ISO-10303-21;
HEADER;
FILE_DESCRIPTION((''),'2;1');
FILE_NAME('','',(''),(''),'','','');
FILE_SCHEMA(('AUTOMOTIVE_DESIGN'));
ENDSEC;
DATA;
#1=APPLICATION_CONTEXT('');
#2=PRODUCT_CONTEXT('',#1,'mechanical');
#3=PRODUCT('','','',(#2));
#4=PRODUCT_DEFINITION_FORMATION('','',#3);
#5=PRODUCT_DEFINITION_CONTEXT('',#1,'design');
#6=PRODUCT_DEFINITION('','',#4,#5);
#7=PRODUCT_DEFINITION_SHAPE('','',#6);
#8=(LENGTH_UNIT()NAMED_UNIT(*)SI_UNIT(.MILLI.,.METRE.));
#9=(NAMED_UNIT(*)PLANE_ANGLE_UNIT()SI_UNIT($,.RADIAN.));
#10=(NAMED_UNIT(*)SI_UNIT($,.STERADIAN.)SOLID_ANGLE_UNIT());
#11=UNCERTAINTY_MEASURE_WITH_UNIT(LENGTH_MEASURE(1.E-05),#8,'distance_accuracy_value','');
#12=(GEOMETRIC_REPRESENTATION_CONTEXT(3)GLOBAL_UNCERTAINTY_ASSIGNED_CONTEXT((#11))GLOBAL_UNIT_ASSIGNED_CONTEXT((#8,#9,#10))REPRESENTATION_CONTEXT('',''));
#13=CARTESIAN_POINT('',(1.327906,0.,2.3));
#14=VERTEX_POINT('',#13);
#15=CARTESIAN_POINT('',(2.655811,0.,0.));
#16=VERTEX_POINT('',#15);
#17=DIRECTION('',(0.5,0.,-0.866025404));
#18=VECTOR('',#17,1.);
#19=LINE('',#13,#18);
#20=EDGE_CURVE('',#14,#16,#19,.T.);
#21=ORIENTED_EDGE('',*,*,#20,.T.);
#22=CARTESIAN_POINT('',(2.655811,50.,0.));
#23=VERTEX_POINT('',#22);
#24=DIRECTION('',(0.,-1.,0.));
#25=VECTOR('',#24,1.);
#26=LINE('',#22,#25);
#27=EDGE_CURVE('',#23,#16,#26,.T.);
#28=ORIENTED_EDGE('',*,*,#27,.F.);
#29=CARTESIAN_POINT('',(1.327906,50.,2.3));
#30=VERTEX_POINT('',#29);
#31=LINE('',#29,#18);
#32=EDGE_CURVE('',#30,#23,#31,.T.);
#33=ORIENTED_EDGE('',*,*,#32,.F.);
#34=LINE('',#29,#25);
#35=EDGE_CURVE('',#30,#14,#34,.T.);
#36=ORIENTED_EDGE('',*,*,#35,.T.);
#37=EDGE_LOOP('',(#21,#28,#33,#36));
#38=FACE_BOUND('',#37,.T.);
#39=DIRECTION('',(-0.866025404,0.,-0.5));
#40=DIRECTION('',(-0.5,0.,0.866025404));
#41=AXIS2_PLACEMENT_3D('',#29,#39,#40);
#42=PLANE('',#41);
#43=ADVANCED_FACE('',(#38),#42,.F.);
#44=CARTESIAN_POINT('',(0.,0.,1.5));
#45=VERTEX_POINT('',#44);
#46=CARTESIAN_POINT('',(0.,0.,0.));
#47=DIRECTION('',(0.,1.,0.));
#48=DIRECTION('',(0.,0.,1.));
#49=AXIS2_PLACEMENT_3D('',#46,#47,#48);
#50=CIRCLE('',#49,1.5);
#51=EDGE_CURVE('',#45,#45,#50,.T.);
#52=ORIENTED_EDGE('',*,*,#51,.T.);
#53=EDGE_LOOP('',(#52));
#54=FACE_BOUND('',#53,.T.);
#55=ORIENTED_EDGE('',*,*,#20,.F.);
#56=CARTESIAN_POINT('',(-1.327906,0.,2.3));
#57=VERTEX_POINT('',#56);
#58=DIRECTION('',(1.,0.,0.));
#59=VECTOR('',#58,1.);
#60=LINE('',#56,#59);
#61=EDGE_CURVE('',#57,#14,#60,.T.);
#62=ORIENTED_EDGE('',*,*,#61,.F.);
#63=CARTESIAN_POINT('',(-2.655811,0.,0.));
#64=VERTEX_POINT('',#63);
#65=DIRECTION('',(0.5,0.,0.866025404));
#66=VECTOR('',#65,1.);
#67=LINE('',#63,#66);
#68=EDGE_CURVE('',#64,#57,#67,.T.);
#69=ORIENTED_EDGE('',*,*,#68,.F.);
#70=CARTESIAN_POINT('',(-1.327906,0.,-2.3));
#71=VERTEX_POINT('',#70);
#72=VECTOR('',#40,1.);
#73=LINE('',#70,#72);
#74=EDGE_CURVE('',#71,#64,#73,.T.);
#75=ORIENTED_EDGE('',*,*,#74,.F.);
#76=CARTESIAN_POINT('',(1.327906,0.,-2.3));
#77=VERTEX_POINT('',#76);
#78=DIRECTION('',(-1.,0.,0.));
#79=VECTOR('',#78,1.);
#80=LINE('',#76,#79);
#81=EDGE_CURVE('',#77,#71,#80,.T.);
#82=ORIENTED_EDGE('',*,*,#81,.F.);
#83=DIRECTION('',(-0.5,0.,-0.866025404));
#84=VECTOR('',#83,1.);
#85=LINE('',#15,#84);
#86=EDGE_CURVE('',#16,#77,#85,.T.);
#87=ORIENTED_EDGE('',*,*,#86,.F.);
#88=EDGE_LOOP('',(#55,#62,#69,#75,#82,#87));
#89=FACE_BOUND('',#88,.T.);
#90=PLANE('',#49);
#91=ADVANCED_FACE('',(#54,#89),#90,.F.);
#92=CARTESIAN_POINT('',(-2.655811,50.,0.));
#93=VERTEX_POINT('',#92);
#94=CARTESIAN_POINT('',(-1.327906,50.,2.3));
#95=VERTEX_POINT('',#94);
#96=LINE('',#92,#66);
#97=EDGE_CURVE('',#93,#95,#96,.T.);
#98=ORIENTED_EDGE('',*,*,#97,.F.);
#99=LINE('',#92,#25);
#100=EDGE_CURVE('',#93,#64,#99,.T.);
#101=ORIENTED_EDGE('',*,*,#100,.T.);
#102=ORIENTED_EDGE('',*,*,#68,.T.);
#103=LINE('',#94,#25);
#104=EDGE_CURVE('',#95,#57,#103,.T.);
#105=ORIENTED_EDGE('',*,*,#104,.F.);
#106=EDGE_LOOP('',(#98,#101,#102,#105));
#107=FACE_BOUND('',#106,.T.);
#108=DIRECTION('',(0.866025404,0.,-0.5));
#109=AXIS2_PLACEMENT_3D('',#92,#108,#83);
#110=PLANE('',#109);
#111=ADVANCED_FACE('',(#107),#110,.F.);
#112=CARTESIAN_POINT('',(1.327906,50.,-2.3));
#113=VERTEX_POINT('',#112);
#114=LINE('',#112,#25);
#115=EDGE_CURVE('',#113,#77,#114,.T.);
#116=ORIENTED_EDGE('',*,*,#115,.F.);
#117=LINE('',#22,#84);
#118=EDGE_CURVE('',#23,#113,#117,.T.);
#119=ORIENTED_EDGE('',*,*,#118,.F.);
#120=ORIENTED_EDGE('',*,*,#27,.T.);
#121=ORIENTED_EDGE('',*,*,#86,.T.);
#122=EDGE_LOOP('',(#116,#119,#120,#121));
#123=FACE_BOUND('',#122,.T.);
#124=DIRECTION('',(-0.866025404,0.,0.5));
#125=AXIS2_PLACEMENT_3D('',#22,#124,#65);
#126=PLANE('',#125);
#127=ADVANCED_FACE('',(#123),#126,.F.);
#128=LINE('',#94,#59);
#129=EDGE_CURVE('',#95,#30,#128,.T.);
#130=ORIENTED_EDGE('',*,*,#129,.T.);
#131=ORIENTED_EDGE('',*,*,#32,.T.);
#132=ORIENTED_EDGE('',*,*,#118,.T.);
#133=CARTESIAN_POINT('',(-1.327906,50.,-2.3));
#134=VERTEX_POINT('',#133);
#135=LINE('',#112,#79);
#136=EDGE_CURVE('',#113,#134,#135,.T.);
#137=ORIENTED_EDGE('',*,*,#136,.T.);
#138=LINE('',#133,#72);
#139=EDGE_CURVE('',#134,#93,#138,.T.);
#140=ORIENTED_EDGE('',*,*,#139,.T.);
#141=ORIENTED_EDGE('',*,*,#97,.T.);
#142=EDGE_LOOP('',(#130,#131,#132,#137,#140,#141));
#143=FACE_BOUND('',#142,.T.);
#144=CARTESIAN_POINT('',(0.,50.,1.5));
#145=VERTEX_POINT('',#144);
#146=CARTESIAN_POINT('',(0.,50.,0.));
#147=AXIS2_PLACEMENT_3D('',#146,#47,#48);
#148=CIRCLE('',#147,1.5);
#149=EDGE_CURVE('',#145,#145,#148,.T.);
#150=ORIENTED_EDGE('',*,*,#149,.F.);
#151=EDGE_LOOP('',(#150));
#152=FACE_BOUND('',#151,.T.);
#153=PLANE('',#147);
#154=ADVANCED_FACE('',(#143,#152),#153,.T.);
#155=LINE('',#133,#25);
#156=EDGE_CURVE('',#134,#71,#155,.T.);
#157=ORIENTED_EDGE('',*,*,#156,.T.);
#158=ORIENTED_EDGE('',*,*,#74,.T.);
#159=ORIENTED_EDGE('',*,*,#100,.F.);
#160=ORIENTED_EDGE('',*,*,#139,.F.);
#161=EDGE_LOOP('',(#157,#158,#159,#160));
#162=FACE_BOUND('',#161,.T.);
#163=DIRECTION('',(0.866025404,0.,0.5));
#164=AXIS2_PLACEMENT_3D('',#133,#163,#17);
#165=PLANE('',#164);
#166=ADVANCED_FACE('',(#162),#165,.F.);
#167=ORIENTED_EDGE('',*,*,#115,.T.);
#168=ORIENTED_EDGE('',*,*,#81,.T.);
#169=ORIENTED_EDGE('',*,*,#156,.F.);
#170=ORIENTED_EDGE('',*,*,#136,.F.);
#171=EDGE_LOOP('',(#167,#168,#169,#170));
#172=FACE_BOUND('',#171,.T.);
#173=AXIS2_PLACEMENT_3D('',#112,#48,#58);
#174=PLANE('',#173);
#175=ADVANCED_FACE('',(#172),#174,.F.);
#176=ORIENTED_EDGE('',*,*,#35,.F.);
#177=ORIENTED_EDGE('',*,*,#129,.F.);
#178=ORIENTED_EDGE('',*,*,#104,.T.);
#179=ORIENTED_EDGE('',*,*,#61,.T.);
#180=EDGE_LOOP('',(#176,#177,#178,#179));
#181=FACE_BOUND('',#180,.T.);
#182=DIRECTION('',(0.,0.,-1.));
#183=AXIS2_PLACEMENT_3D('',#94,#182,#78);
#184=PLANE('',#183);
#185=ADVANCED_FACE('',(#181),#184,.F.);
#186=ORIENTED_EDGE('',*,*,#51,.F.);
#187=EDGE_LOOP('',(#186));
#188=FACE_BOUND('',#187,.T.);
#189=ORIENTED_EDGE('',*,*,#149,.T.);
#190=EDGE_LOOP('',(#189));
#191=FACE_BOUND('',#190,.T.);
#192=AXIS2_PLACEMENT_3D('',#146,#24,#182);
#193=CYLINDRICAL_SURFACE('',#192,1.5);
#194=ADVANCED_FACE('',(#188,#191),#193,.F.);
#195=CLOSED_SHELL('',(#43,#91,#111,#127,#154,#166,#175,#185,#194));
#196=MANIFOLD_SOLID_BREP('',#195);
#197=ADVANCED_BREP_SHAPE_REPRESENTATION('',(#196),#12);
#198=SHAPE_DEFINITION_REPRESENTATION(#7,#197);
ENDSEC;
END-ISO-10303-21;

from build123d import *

# Parameters (mm, degrees)
SKETCH_1_R      = 1.5
EXTRUDE_1_DEPTH = 50


with BuildPart() as part:
    # 草图1 → 凸台-拉伸1 (new body)
    with BuildSketch(Plane(origin=(0, 0, 0), x_dir=(1, 0, 0), z_dir=(0, 1, 0))):
        Polygon((2.655811238, 0), (1.327905619, 2.3), (-1.327905619, 2.3), (-2.655811238, 0), (-1.327905619, -2.3), (1.327905619, -2.3), align=None)
        with Locations(Location((0, 0, 0), (0, 0, 270))):
            Circle(SKETCH_1_R, mode=Mode.SUBTRACT)
    extrude(amount=EXTRUDE_1_DEPTH)


solid = part.part
